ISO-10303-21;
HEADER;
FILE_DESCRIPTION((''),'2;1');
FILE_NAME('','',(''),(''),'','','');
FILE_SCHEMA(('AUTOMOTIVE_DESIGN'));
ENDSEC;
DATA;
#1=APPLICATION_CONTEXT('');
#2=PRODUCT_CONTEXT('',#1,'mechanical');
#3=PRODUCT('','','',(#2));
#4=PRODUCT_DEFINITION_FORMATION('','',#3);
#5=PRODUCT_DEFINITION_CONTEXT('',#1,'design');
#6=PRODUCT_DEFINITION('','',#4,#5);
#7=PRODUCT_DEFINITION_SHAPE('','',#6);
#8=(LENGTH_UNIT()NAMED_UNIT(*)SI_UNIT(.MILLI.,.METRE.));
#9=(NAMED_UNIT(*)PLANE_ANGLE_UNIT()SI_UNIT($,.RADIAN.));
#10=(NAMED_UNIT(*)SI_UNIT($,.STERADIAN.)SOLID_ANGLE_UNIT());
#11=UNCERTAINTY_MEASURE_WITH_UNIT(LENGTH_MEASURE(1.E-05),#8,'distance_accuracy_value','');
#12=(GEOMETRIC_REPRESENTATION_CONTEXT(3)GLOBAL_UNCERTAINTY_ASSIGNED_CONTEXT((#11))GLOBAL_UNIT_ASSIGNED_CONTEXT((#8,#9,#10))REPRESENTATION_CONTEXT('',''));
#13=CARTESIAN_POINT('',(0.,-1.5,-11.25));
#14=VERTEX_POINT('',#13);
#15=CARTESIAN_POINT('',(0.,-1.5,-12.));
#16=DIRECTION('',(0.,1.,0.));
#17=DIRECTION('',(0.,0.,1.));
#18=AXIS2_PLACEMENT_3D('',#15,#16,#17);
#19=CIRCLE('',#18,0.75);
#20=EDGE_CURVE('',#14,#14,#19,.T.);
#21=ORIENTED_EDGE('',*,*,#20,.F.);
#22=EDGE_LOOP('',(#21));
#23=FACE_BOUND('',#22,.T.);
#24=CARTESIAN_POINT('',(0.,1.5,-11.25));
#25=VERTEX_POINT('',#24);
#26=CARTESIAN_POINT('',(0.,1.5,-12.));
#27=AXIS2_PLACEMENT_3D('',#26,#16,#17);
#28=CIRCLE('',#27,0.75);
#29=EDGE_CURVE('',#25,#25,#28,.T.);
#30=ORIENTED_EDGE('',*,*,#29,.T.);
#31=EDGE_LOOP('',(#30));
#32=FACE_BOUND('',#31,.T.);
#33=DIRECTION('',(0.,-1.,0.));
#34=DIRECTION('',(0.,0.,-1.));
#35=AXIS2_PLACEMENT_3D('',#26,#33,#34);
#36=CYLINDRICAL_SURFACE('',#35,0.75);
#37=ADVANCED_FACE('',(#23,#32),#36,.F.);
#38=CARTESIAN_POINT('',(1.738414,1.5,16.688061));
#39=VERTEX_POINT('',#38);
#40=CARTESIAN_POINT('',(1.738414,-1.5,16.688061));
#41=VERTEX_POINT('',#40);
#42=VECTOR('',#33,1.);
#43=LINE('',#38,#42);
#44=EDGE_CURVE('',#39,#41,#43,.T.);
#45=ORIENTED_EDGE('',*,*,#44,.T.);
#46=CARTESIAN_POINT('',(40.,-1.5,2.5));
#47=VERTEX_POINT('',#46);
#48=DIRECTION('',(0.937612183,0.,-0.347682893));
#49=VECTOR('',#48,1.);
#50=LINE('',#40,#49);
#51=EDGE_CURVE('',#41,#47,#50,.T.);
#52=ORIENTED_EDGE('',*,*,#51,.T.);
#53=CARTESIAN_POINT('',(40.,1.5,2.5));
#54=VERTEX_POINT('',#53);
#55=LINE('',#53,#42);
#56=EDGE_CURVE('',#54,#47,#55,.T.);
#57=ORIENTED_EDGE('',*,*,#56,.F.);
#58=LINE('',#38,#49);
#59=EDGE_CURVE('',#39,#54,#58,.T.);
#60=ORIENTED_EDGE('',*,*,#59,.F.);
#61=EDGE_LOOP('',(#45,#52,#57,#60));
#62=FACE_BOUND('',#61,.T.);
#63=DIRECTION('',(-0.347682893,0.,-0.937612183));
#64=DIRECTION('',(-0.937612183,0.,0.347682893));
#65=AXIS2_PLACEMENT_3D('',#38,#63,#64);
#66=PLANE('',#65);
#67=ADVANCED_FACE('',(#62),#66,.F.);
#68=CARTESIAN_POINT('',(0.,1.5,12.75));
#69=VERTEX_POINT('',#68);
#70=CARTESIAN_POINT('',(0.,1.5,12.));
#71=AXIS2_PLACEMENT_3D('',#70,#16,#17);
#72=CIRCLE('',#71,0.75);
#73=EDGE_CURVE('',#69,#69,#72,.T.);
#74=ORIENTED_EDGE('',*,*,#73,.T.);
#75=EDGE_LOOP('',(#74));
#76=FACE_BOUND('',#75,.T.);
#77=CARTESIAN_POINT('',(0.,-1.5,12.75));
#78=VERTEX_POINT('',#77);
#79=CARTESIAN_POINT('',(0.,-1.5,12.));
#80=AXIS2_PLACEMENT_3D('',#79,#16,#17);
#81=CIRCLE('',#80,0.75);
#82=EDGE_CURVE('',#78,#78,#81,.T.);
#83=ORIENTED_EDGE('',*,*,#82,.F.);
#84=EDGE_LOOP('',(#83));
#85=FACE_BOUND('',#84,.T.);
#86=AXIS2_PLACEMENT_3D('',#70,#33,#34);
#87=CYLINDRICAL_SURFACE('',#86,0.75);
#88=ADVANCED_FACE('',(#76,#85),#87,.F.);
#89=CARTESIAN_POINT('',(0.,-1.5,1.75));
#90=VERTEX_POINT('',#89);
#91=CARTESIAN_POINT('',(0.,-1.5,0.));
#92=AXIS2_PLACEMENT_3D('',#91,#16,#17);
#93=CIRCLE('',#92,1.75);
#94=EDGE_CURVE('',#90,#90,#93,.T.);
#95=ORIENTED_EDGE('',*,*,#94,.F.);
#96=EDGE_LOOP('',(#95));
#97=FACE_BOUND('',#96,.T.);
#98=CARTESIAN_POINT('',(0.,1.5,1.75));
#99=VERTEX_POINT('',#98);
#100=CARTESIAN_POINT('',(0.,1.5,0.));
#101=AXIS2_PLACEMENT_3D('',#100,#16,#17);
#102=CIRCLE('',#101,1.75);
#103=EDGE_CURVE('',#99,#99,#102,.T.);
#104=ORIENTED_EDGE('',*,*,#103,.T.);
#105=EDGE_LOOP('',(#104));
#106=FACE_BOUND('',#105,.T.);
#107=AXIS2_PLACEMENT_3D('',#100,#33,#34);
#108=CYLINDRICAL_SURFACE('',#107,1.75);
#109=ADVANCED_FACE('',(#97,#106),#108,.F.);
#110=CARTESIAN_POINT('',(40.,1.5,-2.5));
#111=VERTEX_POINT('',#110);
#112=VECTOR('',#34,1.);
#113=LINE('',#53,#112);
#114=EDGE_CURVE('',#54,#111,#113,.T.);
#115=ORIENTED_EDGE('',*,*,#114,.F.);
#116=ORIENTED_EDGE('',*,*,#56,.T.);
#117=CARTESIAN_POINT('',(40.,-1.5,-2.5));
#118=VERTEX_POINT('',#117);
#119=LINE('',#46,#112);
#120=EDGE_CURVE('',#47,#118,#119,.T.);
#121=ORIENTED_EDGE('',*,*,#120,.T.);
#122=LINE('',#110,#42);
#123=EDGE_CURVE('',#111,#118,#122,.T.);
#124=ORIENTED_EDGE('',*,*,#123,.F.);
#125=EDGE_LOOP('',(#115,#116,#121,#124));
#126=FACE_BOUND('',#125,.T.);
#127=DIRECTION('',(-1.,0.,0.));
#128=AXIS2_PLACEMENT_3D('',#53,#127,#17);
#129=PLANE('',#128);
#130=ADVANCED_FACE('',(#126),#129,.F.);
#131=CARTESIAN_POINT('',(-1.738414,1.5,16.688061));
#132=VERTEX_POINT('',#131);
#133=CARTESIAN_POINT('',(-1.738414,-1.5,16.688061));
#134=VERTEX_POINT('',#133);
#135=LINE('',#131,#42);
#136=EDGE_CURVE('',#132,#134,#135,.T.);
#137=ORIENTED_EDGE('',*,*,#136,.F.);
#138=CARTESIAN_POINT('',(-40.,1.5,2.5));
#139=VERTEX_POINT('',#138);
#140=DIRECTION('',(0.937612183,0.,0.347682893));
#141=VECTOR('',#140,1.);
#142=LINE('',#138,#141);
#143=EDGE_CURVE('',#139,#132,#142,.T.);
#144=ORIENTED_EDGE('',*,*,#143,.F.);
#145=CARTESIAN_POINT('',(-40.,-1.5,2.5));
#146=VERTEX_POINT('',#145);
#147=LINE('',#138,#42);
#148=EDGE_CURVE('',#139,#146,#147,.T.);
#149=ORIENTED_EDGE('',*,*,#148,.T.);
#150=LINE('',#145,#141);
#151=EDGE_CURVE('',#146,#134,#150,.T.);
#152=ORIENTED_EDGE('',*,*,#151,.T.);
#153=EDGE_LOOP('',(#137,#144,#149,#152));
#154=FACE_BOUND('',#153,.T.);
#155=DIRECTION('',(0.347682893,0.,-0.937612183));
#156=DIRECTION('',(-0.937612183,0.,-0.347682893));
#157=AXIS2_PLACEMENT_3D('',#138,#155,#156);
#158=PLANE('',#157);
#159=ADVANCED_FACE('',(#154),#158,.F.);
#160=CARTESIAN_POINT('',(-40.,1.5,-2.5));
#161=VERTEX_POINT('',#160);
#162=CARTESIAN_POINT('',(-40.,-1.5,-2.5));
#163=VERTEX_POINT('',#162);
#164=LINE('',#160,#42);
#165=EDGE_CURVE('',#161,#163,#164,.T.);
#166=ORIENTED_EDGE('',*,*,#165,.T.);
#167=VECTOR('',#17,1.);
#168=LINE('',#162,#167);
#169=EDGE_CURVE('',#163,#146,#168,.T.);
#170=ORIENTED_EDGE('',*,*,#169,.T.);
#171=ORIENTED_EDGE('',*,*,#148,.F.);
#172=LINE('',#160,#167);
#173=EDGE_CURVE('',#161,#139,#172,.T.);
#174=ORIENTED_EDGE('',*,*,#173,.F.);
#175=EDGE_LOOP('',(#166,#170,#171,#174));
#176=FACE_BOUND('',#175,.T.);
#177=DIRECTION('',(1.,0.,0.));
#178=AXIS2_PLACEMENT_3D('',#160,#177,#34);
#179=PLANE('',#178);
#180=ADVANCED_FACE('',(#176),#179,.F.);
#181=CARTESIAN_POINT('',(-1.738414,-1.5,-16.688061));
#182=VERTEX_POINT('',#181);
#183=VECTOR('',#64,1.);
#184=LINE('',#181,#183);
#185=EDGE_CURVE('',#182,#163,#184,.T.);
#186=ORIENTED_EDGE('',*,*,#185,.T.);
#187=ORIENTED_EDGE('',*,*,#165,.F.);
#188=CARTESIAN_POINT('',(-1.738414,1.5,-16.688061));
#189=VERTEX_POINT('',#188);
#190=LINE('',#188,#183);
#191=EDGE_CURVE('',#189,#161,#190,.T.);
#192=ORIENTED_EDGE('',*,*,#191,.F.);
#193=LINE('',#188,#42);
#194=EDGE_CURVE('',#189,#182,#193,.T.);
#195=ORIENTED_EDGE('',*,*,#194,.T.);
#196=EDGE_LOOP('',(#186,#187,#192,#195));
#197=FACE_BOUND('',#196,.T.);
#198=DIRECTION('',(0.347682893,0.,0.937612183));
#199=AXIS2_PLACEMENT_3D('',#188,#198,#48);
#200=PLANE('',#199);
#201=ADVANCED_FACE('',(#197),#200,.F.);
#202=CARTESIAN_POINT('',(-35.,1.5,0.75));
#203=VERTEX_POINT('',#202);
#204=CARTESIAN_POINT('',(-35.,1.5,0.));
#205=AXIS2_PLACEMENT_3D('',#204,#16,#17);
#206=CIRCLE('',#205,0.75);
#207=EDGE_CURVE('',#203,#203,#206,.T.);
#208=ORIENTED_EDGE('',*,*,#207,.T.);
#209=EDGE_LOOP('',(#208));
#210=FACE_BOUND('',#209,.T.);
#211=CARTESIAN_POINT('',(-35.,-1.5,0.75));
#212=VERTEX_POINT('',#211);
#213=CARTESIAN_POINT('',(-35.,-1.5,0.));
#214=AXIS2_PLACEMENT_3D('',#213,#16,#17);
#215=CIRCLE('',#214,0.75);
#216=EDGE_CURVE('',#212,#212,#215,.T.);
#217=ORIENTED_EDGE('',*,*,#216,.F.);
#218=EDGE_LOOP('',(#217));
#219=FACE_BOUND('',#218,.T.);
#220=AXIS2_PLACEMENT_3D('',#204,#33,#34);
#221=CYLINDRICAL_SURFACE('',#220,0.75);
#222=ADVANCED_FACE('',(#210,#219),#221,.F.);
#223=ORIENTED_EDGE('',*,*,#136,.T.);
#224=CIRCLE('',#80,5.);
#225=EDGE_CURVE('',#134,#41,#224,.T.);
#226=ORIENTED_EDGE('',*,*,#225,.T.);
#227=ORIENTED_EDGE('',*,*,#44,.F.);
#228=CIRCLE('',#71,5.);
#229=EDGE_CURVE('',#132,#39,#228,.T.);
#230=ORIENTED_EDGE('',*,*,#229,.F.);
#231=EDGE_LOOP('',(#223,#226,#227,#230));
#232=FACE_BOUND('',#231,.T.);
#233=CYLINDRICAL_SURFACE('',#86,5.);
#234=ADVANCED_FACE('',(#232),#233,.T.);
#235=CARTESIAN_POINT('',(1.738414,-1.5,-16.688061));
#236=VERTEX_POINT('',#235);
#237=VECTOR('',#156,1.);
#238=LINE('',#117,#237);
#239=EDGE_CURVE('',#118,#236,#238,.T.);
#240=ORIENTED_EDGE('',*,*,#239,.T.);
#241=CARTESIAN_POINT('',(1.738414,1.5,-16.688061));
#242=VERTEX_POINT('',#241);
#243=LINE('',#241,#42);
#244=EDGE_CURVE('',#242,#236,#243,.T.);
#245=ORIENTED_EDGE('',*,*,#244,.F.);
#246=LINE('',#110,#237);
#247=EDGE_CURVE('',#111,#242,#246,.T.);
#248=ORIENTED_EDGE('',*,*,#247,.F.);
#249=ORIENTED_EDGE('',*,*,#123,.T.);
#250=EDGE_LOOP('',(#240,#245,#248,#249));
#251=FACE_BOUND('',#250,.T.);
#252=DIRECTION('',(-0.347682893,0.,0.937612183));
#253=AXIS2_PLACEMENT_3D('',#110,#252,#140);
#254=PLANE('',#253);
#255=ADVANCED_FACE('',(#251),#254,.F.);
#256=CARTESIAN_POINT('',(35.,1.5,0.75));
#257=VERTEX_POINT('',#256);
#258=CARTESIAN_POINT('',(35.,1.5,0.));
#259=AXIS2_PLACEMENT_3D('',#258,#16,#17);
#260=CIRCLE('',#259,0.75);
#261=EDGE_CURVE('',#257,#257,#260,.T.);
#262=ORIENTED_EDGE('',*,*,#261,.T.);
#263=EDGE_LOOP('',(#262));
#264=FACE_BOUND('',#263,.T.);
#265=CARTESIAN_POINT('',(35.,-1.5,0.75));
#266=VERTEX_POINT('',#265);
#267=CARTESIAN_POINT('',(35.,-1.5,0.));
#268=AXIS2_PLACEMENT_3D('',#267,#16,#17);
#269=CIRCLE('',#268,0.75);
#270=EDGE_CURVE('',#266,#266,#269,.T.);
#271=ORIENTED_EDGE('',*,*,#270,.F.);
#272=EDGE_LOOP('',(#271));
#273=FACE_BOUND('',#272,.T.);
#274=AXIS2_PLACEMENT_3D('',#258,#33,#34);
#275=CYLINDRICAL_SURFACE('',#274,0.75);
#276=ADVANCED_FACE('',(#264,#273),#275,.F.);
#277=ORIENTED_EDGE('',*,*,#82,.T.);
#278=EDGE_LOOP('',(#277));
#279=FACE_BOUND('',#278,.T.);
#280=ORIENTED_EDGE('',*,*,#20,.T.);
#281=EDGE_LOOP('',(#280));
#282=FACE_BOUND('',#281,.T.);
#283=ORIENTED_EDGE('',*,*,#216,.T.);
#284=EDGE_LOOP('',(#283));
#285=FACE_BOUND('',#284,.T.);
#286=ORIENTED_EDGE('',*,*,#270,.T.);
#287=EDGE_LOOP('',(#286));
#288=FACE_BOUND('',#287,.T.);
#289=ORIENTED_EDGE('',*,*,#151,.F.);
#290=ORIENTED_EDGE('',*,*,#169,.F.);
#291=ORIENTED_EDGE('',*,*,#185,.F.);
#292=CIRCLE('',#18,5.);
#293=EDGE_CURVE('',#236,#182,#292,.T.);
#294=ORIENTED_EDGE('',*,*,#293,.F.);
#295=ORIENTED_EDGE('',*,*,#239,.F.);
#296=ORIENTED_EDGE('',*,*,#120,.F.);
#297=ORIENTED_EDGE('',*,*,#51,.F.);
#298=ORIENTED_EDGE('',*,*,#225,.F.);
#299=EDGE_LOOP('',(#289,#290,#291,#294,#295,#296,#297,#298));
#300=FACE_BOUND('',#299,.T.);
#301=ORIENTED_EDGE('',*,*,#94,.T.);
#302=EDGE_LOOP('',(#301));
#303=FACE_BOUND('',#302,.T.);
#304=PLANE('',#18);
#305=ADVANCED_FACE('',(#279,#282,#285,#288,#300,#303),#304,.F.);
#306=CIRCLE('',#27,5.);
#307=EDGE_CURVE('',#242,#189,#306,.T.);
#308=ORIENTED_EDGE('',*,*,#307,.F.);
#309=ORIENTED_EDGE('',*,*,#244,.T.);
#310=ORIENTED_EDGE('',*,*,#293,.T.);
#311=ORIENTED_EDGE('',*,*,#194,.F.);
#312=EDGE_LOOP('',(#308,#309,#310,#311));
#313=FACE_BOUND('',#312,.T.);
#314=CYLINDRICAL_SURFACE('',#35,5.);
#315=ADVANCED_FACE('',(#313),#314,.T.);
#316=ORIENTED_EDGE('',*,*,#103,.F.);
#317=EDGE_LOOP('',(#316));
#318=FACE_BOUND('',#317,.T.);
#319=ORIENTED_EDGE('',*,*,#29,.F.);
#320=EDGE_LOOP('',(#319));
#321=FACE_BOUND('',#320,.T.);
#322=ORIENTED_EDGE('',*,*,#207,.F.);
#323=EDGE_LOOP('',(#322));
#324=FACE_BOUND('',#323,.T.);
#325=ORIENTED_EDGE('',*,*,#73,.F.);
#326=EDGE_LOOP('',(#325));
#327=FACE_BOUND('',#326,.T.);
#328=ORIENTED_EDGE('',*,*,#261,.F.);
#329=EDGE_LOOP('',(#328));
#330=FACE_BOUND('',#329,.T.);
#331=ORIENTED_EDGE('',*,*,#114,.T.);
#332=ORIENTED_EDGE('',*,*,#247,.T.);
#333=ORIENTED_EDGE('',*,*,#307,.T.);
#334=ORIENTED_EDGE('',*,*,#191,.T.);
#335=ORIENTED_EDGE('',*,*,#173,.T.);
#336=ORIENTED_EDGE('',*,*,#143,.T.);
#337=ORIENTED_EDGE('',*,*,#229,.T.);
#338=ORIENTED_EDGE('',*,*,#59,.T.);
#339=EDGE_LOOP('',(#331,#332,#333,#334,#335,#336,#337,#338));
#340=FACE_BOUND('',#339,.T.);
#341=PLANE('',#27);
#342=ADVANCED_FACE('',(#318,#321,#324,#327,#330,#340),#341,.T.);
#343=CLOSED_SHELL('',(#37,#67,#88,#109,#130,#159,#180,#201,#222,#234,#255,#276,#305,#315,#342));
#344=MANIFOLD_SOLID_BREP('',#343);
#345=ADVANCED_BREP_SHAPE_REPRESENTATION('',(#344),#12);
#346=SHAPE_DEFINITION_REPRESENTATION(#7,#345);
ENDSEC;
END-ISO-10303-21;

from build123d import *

# Parameters (mm, degrees)
SKETCH1_R      = 0.75
SKETCH1_R_2    = 1.75
EXTRUDE1_DEPTH = 1.5


with BuildPart() as part:
    # Sketch1 → Extrude1 (new body, symmetric)
    with BuildSketch(Plane(origin=(0, 0, 0), x_dir=(1, 0, 0), z_dir=(0, 1, 0))):
        with BuildLine():
            Line((-1.738414467, 16.688060915), (-40, 2.5))
            Line((-40, 2.5), (-40, -2.5))
            Line((-40, -2.5), (-1.738414467, -16.688060915))
            ThreePointArc((-1.738414467, -16.688060915), (0, -17), (1.738414467, -16.688060915))
            Line((1.738414467, -16.688060915), (40, -2.5))
            Line((40, -2.5), (40, 2.5))
            Line((40, 2.5), (1.738414467, 16.688060915))
            ThreePointArc((1.738414467, 16.688060915), (0, 17), (-1.738414467, 16.688060915))
        make_face()
        with Locations(Location((0, 12, 0), (0, 0, 270))):  # turned: the seam where the file's is
            Circle(SKETCH1_R, mode=Mode.SUBTRACT)
        with Locations(Location((0, -12, 0), (0, 0, 270))):  # turned: the seam where the file's is
            Circle(SKETCH1_R, mode=Mode.SUBTRACT)
        with Locations(Location((35, 0, 0), (0, 0, 270))):  # turned: the seam where the file's is
            Circle(SKETCH1_R, mode=Mode.SUBTRACT)
        with Locations(Location((-35, 0, 0), (0, 0, 270))):  # turned: the seam where the file's is
            Circle(SKETCH1_R, mode=Mode.SUBTRACT)
        with Locations(Location((0, 0, 0), (0, 0, 270))):  # turned: the seam where the file's is
            Circle(SKETCH1_R_2, mode=Mode.SUBTRACT)
    extrude(amount=EXTRUDE1_DEPTH, both=True)


solid = part.part
